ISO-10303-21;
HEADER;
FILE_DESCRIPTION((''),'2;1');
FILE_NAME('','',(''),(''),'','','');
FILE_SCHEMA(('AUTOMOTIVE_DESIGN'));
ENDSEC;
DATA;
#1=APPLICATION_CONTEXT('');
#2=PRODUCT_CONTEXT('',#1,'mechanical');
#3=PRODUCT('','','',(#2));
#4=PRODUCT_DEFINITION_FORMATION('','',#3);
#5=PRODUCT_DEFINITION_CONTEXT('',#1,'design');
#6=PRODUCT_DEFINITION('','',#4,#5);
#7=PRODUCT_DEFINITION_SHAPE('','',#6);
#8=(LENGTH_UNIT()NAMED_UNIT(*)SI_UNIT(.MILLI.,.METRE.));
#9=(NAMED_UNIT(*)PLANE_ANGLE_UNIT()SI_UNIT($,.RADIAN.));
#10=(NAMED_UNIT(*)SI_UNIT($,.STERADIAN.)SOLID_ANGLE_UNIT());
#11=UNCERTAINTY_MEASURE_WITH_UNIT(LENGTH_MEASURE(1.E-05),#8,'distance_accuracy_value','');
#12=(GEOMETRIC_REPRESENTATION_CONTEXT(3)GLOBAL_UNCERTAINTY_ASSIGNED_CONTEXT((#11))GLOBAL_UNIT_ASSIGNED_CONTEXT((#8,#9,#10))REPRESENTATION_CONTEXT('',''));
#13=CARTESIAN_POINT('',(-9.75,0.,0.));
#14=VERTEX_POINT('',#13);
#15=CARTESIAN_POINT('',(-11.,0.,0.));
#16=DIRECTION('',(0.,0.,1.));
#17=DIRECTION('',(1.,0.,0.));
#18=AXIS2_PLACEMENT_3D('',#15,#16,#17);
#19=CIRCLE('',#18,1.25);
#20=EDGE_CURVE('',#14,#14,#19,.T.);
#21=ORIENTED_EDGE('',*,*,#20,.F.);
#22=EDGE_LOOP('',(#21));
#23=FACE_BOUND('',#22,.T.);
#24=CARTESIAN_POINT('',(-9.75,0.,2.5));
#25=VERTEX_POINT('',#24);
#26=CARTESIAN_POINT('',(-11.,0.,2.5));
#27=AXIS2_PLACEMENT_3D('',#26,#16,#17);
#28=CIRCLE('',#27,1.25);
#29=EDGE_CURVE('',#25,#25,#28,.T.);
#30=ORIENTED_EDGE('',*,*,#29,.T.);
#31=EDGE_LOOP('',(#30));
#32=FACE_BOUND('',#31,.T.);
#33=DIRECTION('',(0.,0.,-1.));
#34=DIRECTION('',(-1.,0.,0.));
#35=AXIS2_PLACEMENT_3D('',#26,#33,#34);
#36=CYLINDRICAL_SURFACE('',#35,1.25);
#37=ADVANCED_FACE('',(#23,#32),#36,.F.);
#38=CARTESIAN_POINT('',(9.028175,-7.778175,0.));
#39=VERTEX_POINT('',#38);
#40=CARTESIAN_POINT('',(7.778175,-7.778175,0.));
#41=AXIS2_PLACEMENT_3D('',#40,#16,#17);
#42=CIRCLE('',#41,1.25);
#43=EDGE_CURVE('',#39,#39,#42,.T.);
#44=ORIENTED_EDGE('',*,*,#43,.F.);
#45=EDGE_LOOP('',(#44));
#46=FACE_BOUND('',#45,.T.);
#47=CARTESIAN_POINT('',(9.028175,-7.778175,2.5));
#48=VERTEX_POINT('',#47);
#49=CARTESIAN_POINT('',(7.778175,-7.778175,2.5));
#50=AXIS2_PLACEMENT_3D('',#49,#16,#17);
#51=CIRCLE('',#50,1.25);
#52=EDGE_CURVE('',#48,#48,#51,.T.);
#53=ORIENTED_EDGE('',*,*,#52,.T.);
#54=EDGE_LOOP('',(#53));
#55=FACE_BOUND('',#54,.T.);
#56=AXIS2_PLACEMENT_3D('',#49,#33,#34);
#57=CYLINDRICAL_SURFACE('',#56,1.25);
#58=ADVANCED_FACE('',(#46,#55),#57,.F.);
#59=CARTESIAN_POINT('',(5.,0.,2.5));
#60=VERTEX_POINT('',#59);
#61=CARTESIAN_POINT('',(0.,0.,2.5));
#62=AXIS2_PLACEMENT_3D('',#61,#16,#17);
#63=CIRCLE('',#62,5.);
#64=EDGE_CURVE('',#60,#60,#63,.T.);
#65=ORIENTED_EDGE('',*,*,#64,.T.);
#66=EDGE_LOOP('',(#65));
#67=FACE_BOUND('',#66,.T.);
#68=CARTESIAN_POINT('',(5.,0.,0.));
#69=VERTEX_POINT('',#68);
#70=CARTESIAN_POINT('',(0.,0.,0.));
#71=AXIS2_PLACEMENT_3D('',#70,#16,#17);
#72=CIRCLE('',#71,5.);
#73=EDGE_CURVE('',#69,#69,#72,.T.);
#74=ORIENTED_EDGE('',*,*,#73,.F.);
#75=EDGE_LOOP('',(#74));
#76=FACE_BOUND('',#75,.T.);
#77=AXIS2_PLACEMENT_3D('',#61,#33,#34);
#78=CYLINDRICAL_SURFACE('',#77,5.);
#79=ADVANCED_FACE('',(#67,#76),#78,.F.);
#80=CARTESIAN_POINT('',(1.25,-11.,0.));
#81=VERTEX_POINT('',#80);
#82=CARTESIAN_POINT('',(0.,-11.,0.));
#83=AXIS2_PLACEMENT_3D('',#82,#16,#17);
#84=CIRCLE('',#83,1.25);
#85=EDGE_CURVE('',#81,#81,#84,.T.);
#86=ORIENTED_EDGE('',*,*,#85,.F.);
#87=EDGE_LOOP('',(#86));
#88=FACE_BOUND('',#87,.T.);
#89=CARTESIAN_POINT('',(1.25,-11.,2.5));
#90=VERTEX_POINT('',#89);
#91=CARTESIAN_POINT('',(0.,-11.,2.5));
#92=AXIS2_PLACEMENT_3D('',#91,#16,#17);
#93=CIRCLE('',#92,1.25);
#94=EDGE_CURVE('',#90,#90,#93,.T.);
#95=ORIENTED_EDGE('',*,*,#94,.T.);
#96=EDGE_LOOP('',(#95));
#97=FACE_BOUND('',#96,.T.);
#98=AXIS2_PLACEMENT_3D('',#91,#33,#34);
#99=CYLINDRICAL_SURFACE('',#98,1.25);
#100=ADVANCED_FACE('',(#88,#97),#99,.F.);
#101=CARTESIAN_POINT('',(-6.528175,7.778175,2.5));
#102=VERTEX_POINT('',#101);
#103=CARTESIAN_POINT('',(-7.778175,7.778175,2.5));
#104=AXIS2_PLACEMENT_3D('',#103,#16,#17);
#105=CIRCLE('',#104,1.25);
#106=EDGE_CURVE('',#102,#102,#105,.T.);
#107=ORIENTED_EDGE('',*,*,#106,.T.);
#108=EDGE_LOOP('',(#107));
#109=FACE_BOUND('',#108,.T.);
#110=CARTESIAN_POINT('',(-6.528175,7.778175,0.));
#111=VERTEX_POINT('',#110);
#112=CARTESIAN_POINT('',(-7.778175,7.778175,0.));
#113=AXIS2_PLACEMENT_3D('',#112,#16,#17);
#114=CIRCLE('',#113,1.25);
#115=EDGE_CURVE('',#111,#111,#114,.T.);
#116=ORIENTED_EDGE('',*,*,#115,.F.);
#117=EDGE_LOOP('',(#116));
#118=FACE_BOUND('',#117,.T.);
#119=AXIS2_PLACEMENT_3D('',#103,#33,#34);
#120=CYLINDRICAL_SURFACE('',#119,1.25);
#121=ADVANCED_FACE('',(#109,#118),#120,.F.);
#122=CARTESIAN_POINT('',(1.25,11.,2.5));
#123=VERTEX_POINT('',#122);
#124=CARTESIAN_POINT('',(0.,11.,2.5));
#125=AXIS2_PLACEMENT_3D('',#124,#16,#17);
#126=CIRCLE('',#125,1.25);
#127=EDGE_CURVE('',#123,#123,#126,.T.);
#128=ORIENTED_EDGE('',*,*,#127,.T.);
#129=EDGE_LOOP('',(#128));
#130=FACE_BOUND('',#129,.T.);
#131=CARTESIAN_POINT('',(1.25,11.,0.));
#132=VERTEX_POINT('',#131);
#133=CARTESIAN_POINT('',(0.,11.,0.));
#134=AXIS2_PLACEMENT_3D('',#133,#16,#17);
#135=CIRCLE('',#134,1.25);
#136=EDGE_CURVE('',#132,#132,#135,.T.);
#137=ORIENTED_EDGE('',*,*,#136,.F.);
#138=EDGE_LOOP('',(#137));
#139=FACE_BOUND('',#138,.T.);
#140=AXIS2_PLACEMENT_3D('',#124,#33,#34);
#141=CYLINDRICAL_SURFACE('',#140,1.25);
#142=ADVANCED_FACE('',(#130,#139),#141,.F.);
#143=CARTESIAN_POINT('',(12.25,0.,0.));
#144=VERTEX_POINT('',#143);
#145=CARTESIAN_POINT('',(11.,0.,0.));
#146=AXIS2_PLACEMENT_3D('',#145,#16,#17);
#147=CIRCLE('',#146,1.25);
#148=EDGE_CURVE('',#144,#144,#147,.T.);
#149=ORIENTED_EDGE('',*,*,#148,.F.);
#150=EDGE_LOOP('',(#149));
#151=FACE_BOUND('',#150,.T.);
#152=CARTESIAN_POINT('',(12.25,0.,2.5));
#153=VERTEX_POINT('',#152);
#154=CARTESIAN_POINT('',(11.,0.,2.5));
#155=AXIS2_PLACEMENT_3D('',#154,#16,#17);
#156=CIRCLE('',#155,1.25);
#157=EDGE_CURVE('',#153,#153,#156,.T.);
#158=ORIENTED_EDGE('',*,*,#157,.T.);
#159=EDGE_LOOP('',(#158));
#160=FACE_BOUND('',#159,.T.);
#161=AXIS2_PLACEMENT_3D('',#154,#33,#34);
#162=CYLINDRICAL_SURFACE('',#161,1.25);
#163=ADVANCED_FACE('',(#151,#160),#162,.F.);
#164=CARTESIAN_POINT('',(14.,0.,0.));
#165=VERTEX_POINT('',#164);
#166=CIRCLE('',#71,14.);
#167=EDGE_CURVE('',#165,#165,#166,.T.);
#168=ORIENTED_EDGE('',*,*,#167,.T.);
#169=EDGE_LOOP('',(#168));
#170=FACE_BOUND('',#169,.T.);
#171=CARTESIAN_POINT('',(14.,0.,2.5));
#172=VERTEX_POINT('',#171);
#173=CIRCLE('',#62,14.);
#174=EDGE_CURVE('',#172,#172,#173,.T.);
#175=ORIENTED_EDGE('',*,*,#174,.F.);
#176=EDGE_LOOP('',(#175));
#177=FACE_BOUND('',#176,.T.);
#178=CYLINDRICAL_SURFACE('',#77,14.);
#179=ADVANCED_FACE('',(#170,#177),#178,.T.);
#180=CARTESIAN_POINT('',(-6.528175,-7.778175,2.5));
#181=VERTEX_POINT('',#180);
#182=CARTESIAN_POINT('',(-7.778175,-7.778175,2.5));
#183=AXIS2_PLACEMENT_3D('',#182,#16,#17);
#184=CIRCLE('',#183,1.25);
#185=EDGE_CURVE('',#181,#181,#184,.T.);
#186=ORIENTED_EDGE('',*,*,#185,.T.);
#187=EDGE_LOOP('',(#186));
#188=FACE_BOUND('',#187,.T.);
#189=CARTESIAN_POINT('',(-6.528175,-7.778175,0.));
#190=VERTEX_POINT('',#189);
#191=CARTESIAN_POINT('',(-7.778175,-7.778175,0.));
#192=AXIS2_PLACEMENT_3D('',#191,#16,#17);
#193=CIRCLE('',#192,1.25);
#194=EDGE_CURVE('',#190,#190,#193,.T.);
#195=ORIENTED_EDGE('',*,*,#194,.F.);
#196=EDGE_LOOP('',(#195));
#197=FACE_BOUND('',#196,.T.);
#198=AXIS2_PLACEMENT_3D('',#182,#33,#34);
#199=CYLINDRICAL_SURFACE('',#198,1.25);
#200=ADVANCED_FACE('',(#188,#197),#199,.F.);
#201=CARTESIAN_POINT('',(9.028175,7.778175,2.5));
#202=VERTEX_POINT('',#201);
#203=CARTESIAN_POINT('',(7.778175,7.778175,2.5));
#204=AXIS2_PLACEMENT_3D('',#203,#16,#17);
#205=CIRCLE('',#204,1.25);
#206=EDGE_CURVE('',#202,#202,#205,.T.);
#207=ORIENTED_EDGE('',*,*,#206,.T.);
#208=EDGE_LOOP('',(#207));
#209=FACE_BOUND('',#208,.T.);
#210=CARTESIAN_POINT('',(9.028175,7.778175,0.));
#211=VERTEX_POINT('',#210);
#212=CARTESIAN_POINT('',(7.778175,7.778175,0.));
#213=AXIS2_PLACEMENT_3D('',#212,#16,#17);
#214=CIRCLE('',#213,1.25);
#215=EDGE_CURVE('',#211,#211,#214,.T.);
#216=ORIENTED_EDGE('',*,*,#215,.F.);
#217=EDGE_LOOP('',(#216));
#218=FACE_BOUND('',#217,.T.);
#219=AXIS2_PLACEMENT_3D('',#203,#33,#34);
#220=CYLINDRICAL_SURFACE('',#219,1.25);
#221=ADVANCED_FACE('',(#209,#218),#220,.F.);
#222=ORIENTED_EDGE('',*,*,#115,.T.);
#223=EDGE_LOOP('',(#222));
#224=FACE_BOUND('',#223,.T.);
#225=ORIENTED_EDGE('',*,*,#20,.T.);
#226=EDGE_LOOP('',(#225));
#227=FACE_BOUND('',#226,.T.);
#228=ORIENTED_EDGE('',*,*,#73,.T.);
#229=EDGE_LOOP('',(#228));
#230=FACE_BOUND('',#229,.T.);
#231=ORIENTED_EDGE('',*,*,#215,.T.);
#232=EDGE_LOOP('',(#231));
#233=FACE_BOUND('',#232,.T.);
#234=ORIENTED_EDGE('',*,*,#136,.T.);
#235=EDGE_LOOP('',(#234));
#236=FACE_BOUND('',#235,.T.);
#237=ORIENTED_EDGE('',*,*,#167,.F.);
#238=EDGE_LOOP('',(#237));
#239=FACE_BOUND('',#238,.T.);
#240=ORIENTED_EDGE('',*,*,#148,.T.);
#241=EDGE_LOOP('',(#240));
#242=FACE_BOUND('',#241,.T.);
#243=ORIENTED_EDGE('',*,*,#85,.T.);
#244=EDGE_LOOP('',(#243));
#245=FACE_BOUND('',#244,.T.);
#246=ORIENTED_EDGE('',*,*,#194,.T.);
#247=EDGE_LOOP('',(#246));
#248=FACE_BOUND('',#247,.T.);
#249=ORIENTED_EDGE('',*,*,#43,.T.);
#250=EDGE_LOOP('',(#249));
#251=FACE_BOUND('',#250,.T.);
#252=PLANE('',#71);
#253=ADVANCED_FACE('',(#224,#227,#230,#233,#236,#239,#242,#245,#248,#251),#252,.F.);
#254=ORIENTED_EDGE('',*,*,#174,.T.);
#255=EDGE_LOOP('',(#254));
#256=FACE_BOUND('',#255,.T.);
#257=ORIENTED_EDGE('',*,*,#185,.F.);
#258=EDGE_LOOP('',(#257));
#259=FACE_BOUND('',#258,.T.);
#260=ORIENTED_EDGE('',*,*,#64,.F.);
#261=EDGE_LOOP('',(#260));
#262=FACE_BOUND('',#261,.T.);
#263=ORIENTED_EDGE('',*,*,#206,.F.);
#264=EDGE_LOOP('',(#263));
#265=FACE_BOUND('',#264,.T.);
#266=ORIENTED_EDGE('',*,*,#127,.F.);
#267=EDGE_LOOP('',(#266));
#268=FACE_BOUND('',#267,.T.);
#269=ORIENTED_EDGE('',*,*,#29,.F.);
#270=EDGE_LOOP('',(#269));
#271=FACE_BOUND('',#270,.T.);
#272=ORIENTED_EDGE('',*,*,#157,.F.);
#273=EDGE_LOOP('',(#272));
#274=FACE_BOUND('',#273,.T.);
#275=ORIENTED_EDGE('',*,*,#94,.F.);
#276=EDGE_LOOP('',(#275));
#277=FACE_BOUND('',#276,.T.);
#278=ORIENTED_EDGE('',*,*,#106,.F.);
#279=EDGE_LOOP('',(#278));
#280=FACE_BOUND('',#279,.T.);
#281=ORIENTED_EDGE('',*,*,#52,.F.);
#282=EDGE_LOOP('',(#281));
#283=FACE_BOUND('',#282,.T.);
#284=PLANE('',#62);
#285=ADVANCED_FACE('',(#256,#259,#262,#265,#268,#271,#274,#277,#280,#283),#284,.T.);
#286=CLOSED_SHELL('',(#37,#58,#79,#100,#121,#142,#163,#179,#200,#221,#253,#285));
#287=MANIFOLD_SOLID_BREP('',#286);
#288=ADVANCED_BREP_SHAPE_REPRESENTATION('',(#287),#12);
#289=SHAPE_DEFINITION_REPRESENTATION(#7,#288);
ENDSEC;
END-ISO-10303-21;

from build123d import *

# Parameters (mm, degrees)
ESBO_O1_R                = 14
ESBO_O1_R_2              = 5
ESBO_O1_R_3              = 1.25
RESSALTO_EXTRUS_O1_DEPTH = 2.5


with BuildPart() as part:
    # Esboço1 → Ressalto-extrusão1 (new body)
    with BuildSketch(Plane.XY):
        Circle(ESBO_O1_R)
        Circle(ESBO_O1_R_2, mode=Mode.SUBTRACT)
        with Locations((0, 11)):
            Circle(ESBO_O1_R_3, mode=Mode.SUBTRACT)
        with Locations((7.778174593, 7.778174593)):
            Circle(ESBO_O1_R_3, mode=Mode.SUBTRACT)
        with Locations((11, 0)):
            Circle(ESBO_O1_R_3, mode=Mode.SUBTRACT)
        with Locations((7.778174593, -7.778174593)):
            Circle(ESBO_O1_R_3, mode=Mode.SUBTRACT)
        with Locations((0, -11)):
            Circle(ESBO_O1_R_3, mode=Mode.SUBTRACT)
        with Locations((-7.778174593, -7.778174593)):
            Circle(ESBO_O1_R_3, mode=Mode.SUBTRACT)
        with Locations((-11, 0)):
            Circle(ESBO_O1_R_3, mode=Mode.SUBTRACT)
        with Locations((-7.778174593, 7.778174593)):
            Circle(ESBO_O1_R_3, mode=Mode.SUBTRACT)
    extrude(amount=RESSALTO_EXTRUS_O1_DEPTH)


solid = part.part
